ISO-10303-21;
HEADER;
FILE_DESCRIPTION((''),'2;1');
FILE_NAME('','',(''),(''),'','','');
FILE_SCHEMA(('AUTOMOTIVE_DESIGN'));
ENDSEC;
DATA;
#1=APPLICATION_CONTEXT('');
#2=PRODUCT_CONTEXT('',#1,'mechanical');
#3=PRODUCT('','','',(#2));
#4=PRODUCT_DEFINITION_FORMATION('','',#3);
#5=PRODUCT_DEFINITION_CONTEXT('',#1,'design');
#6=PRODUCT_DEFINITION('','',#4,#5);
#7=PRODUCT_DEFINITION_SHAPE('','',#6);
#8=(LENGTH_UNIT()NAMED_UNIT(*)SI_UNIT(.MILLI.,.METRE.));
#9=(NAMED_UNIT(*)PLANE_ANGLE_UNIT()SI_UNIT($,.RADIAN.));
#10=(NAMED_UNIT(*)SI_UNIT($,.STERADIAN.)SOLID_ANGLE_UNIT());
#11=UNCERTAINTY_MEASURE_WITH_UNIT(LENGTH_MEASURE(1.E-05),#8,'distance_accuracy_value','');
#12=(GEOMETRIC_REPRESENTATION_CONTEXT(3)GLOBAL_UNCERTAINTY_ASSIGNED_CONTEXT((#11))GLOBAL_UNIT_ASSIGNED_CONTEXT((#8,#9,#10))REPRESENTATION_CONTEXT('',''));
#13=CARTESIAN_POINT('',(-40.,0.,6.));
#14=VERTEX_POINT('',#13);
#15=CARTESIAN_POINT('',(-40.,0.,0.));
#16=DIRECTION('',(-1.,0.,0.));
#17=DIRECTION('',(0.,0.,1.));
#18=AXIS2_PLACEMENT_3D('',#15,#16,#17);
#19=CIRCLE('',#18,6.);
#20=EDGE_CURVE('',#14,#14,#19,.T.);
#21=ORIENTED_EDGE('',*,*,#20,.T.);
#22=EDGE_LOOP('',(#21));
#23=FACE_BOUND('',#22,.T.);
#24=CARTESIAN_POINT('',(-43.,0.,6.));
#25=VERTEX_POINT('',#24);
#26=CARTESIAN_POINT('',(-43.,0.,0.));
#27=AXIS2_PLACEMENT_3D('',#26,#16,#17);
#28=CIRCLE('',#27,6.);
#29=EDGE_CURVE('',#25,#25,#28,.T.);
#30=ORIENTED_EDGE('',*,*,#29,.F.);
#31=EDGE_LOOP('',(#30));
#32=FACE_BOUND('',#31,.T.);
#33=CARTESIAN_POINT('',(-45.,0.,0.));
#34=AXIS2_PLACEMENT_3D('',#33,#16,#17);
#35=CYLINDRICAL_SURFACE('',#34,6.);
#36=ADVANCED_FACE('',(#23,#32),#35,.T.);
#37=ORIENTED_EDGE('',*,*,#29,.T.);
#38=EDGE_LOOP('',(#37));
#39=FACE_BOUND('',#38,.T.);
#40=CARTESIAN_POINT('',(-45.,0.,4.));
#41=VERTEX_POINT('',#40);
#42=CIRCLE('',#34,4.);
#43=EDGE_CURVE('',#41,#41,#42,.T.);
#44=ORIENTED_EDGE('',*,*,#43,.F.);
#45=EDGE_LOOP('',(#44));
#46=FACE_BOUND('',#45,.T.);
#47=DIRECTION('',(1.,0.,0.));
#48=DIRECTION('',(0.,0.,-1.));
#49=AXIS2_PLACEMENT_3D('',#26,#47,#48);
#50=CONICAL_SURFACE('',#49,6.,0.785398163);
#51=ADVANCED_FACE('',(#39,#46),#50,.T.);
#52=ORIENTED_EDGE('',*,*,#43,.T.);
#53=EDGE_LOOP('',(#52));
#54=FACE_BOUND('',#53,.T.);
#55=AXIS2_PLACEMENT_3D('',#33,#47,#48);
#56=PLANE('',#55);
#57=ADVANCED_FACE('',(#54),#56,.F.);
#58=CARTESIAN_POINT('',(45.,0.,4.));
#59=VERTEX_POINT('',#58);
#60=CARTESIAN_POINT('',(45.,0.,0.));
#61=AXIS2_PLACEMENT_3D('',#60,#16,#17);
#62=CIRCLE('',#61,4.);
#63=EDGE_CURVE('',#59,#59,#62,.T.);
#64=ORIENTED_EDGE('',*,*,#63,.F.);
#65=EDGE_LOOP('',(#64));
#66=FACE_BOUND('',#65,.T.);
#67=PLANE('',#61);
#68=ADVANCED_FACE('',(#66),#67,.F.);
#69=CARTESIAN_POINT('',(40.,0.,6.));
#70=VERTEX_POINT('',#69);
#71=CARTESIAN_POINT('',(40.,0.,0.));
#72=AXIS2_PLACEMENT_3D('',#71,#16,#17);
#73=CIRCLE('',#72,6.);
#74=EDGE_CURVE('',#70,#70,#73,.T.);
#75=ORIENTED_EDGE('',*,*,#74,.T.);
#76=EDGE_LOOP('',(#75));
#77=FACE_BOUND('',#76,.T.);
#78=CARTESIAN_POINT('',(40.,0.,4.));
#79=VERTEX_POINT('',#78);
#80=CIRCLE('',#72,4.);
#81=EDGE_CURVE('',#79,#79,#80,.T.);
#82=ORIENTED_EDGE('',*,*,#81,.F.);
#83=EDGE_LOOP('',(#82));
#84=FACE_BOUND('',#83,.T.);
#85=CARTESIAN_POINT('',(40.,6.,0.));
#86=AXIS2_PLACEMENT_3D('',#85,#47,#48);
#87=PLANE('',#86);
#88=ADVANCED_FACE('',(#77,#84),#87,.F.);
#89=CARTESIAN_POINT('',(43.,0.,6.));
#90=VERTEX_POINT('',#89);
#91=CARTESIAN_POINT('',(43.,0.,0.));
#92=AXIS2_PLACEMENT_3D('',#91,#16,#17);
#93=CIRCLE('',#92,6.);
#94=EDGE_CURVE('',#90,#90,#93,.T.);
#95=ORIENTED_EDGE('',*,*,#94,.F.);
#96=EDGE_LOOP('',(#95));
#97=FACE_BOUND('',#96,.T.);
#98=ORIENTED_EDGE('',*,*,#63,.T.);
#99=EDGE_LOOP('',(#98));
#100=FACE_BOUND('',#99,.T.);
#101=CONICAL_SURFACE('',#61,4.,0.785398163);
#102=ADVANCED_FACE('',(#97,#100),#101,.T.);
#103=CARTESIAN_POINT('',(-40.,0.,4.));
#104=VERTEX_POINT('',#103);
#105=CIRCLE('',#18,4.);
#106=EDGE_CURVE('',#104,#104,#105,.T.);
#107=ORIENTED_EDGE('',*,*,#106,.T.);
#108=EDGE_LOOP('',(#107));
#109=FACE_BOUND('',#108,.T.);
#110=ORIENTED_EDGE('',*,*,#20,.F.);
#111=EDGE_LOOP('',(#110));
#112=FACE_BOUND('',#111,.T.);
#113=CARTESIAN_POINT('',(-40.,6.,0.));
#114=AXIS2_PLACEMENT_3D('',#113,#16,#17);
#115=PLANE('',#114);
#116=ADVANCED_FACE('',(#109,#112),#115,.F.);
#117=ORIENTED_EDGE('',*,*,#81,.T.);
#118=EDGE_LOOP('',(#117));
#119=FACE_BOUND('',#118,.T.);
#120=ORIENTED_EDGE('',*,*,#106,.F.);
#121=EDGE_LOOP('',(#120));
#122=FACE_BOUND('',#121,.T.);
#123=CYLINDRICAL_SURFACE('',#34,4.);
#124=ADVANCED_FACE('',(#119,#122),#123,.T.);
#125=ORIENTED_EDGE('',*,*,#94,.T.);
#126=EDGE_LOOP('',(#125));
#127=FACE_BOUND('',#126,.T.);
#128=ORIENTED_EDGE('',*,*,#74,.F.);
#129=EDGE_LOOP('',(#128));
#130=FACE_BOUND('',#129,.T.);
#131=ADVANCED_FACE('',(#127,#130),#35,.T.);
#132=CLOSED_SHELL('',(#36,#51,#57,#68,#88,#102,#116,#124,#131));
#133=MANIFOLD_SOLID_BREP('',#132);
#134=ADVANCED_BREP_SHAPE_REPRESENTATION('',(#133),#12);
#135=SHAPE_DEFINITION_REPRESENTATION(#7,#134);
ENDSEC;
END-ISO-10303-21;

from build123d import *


with BuildPart() as part:
    # Sketch1 → Revolve1 (revolve)
    with BuildSketch(Plane.XY, mode=Mode.PRIVATE) as revolve1_sk:
        Polygon((-45, 0), (-45, 4), (-43, 6), (-40, 6), (-40, 4), (40, 4), (40, 6), (43, 6), (45, 4), (45, 0), align=None)
    revolve(revolve1_sk.sketch.rotate(Axis((-45, 0, 0), (1, 0, 0)), 90), axis=Axis((-45, 0, 0), (1, 0, 0)))


solid = part.part
